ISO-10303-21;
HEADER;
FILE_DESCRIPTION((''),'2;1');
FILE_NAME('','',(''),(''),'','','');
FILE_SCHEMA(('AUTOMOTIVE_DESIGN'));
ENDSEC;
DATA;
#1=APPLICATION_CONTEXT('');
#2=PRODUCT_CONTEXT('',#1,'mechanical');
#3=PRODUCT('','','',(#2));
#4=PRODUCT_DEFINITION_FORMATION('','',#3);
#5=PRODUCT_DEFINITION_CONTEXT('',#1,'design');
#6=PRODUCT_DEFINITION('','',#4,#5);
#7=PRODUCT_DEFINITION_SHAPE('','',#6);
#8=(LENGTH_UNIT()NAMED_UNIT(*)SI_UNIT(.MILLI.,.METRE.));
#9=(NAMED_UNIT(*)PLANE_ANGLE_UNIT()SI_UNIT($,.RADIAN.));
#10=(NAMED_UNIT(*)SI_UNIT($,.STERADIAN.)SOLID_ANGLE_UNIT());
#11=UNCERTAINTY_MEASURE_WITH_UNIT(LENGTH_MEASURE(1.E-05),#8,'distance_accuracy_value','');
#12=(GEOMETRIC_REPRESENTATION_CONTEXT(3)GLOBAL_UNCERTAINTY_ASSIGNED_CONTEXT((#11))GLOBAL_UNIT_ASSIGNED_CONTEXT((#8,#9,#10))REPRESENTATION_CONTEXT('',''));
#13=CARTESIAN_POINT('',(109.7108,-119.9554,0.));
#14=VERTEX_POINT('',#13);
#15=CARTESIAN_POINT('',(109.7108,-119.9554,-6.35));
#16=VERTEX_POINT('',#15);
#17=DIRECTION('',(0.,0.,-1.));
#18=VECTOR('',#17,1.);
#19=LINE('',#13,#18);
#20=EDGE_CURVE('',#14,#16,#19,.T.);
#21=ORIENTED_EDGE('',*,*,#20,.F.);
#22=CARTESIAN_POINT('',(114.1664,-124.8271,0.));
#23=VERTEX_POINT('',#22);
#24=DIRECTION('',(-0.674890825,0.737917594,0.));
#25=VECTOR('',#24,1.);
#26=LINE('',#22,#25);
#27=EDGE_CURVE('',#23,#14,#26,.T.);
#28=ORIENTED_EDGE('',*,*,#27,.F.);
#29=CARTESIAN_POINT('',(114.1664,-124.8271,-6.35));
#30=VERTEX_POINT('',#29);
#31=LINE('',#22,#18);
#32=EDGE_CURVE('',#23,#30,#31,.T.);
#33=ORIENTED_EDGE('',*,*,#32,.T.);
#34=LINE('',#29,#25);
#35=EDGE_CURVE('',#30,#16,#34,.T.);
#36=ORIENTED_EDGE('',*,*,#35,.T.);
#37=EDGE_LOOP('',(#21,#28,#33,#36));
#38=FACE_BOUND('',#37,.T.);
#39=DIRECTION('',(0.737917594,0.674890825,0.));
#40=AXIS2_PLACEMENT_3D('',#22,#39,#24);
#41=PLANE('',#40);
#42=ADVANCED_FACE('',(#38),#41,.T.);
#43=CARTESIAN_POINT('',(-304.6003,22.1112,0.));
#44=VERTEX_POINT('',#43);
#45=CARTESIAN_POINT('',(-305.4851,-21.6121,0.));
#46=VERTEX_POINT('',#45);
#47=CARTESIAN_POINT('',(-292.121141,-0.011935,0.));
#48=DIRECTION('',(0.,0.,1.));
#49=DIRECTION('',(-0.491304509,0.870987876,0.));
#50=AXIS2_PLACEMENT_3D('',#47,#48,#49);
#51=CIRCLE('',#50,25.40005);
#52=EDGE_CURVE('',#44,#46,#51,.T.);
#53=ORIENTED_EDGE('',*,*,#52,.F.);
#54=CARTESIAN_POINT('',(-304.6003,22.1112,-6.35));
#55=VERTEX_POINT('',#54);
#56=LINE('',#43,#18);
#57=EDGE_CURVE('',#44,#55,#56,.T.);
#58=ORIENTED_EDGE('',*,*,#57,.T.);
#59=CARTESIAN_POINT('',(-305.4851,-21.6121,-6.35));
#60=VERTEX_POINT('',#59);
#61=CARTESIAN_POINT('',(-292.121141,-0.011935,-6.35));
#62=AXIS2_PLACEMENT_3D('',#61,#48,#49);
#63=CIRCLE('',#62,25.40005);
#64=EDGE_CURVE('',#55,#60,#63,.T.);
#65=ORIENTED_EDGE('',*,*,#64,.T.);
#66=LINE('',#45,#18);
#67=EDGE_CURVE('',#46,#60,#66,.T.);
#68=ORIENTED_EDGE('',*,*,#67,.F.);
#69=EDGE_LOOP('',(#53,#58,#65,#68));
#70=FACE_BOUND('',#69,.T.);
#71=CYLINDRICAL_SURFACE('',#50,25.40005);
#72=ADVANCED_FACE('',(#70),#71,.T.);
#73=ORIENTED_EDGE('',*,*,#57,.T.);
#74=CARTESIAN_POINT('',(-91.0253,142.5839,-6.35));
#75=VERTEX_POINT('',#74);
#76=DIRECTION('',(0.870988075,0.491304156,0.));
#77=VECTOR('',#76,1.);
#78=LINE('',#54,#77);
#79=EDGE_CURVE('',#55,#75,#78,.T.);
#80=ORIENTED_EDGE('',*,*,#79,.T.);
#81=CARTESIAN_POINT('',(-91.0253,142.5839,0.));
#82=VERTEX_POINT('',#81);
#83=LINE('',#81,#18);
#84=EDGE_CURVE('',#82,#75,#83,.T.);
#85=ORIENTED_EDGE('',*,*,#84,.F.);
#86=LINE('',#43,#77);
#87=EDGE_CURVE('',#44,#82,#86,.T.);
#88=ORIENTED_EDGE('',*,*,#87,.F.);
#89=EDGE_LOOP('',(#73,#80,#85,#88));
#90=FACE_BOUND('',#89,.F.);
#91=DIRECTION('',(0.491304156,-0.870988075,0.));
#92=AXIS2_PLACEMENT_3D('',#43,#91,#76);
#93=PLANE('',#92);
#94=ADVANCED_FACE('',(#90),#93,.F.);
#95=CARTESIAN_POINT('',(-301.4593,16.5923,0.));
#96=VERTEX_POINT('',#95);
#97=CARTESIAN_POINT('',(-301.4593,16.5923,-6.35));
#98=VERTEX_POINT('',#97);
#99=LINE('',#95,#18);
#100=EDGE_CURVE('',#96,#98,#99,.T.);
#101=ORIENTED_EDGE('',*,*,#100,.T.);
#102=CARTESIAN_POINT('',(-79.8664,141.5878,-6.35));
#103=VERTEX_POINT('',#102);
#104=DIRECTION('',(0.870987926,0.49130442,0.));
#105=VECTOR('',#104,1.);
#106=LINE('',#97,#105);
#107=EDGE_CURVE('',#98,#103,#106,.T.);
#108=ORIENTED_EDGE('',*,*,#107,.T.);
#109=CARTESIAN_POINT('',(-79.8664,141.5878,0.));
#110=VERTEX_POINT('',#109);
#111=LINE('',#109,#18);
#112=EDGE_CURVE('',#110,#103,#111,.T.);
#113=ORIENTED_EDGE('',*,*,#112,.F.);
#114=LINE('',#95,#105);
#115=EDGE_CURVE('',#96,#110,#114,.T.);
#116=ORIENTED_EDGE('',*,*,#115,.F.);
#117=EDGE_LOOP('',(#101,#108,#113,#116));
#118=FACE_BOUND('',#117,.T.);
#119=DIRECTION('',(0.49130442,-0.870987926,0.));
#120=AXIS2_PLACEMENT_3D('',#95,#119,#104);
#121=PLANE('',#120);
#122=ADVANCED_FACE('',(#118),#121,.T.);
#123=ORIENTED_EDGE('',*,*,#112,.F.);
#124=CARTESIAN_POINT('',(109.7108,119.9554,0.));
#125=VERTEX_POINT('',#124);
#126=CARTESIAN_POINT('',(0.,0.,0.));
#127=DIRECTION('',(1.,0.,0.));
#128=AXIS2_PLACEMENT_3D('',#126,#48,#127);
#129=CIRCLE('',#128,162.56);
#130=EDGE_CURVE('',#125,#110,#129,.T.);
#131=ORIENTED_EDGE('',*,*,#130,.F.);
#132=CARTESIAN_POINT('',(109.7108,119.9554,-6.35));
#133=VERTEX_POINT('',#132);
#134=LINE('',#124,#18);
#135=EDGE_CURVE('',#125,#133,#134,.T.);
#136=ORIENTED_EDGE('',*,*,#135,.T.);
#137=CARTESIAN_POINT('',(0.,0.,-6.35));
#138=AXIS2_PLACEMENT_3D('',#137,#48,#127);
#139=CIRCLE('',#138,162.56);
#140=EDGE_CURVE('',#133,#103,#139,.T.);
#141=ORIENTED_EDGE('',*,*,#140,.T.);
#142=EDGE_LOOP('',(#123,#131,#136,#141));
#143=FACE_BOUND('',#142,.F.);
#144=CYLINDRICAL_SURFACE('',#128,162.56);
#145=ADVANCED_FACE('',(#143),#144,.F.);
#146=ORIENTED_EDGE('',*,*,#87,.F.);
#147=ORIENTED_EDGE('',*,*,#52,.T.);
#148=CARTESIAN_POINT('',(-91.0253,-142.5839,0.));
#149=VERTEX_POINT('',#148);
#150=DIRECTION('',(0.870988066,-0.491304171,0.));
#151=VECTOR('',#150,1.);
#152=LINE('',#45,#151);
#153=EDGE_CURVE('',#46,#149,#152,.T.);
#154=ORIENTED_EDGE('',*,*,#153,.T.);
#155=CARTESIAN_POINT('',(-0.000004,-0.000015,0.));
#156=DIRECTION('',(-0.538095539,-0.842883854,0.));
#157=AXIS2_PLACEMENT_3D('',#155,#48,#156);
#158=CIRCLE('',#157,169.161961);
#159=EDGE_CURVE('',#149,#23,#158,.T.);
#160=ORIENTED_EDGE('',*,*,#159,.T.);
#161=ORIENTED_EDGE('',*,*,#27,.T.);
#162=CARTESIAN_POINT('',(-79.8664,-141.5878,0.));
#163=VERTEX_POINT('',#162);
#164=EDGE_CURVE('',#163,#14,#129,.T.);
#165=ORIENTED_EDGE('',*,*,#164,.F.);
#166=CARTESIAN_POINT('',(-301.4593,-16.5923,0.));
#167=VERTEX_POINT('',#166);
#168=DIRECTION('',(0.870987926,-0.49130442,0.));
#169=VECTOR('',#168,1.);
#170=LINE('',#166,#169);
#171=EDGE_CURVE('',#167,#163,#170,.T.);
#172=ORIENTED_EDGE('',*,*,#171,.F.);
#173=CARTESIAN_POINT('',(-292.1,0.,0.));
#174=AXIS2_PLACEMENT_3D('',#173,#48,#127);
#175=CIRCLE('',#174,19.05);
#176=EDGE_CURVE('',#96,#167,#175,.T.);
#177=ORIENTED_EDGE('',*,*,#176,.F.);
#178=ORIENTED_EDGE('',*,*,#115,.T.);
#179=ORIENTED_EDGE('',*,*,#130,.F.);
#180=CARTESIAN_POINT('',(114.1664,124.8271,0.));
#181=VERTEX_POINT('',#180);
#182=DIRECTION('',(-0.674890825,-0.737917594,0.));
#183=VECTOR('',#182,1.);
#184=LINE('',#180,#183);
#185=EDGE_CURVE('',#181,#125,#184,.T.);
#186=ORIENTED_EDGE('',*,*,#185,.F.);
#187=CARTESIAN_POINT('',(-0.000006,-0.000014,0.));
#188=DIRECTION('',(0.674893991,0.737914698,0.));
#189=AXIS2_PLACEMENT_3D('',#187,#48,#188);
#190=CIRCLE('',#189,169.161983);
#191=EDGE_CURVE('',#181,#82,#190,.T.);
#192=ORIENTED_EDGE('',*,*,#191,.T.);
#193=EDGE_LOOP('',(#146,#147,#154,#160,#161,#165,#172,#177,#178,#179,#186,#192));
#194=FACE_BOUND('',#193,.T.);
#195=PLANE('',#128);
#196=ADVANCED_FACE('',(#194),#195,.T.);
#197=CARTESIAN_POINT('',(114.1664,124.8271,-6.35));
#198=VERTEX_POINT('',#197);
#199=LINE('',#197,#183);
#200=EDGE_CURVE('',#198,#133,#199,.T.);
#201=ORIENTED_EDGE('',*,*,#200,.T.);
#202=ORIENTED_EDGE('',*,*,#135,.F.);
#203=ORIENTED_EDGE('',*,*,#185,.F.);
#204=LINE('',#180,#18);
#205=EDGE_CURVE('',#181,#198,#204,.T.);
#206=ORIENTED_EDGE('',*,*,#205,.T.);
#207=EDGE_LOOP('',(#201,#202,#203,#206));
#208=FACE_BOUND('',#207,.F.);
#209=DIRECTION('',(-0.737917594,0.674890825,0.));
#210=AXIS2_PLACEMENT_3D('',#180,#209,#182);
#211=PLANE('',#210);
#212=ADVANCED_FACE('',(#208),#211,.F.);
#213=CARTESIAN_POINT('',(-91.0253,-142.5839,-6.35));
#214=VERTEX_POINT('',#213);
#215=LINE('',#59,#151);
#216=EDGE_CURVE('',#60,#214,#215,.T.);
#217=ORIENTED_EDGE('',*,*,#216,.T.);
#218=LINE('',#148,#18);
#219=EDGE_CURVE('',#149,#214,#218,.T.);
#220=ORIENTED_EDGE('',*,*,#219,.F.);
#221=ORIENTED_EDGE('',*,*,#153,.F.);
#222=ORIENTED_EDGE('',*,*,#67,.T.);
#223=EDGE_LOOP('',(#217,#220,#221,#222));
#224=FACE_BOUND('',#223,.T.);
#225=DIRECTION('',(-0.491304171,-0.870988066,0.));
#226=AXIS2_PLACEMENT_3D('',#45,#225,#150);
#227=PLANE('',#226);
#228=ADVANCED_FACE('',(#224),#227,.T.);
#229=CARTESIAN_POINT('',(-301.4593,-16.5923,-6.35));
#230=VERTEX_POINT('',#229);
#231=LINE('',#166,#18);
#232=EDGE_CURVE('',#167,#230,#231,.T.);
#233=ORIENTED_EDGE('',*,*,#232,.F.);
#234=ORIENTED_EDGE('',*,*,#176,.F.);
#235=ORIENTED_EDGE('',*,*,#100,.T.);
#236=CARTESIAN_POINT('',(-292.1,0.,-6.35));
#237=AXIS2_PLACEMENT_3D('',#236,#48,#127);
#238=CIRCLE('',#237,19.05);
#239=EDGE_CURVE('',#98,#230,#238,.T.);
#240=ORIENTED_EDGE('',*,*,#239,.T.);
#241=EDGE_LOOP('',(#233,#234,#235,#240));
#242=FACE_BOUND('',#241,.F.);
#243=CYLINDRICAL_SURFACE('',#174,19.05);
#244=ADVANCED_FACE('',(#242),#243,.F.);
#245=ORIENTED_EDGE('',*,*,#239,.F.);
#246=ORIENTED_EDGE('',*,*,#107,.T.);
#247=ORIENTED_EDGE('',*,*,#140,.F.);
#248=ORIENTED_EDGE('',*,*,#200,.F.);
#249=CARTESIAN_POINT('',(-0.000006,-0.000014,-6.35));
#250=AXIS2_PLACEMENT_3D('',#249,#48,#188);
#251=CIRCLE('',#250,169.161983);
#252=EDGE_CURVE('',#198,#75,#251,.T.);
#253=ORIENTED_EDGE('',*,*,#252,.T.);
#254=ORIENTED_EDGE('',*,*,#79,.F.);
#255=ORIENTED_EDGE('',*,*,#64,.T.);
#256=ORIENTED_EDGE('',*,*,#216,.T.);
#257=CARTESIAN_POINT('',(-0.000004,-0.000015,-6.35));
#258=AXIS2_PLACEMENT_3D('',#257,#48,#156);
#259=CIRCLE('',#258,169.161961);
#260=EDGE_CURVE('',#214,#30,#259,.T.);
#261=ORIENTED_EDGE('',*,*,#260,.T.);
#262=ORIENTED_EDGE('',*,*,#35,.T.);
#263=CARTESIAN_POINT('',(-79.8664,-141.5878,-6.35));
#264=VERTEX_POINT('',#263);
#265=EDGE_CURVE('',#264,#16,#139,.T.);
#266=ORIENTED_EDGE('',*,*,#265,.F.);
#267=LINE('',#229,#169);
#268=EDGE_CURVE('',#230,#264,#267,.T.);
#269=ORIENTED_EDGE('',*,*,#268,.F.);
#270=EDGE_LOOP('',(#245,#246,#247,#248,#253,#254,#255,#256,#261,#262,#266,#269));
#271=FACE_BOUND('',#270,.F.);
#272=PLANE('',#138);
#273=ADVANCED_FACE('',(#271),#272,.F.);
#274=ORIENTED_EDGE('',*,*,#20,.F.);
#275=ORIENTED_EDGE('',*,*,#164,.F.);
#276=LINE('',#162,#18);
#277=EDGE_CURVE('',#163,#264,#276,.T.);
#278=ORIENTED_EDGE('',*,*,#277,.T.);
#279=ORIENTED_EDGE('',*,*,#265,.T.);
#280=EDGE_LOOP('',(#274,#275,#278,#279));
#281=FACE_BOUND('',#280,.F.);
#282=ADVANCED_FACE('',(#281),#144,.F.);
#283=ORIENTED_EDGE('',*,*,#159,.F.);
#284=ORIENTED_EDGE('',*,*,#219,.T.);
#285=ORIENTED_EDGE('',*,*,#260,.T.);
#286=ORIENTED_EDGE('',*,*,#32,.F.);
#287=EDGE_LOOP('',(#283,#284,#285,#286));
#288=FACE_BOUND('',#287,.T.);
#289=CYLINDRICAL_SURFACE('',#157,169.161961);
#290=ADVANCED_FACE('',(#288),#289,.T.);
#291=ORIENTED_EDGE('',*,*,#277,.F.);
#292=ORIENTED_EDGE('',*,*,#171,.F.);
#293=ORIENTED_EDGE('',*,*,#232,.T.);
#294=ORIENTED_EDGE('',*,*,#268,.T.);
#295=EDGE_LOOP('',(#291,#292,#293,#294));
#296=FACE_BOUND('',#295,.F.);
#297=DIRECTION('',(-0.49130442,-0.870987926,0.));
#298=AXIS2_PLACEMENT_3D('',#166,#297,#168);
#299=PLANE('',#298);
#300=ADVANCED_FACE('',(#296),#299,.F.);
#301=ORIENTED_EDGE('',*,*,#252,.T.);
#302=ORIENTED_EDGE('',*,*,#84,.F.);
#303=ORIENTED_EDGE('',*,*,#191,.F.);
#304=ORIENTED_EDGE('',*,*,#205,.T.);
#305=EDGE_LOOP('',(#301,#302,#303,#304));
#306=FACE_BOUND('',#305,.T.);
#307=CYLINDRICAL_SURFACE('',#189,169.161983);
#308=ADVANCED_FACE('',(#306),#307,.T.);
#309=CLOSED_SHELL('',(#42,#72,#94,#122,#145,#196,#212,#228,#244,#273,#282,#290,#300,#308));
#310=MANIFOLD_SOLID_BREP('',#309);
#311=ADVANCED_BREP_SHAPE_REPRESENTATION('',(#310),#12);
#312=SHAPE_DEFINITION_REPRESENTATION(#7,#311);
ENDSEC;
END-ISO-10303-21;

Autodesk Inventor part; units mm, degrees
ref_plane "YZ Plane" through (0, 0, 0) normal (1, 0, 0) x (0, 1, 0)
ref_plane "XZ Plane" through (0, 0, 0) normal (0, 1, 0) x (-1, 0, 0)
ref_plane "XY Plane" through (0, 0, 0) normal (0, 0, 1) x (1, 0, 0)
sketch "Sketch1" plane through (0, 0, 0) normal (0, 0, 1) x (1, 0, 0)
  circle A0 centre (0, 0) radius 162.56
  circle A1 centre (-292.1, 0) radius 19.05
  line L0 (-301.4593, 16.5923) -> (-79.8664, 141.5878)
  line L1 (-301.4593, -16.5923) -> (-79.8664, -141.5878)
  line L2 (-305.4851, -21.6121) -> (-91.0253, -142.5839)
  line L3 (-304.6003, 22.1112) -> (-91.0253, 142.5839)
  arc A2 (-304.6003, 22.1112) -> (-305.4851, -21.6121) centre (-292.1212, -0.0119) ccw
  arc A3 (114.1664, 124.8271) -> (-91.0253, 142.5839) centre (0, 0) ccw
  line L4 (0, 0) -> (114.1664, 124.8271) construction
  line L5 (0, 0) -> (-91.0253, 142.5839) construction
  arc A4 (-91.0253, -142.5839) -> (114.1664, -124.8271) centre (0, 0) ccw
  line L6 (0, 0) -> (114.1664, -124.8271) construction
  line L7 (0, 0) -> (-91.0253, -142.5839) construction
  line L8 (114.1664, -124.8271) -> (109.7108, -119.9554)
  line L9 (114.1664, 124.8271) -> (109.7108, 119.9554)
  arc A5 (109.7108, 119.9554) -> (-87.4728, 137.0192) centre (0, 0) ccw
  line L10 (0, 0) -> (-87.4728, 137.0192) construction
  line L11 (0, 0) -> (109.7108, 119.9554) construction
  arc A6 (-79.8664, -141.5878) -> (116.0924, -113.7907) centre (0, 0) ccw
  line L12 (0, 0) -> (116.0924, -113.7907) construction
  line L13 (0, 0) -> (-79.8664, -141.5878) construction
  dimension "d0" = 325.12
  dimension "d1" = 38.1
  dimension "d2" = 292.1
  dimension "d3" = 6.35
  dimension "d4" = 6.35
  dimension "d5" = 75
  dimension "d6" = 75
  dimension "d7" = 75
  dimension "d8" = 75
extrude "Extrusion1" add sketch "Sketch1" against normal blind 6.35 contours A0 L0 A1 L1 L8 A4 L2 A2 L3 A3 L9
properties part number "neck chain 1.1"
